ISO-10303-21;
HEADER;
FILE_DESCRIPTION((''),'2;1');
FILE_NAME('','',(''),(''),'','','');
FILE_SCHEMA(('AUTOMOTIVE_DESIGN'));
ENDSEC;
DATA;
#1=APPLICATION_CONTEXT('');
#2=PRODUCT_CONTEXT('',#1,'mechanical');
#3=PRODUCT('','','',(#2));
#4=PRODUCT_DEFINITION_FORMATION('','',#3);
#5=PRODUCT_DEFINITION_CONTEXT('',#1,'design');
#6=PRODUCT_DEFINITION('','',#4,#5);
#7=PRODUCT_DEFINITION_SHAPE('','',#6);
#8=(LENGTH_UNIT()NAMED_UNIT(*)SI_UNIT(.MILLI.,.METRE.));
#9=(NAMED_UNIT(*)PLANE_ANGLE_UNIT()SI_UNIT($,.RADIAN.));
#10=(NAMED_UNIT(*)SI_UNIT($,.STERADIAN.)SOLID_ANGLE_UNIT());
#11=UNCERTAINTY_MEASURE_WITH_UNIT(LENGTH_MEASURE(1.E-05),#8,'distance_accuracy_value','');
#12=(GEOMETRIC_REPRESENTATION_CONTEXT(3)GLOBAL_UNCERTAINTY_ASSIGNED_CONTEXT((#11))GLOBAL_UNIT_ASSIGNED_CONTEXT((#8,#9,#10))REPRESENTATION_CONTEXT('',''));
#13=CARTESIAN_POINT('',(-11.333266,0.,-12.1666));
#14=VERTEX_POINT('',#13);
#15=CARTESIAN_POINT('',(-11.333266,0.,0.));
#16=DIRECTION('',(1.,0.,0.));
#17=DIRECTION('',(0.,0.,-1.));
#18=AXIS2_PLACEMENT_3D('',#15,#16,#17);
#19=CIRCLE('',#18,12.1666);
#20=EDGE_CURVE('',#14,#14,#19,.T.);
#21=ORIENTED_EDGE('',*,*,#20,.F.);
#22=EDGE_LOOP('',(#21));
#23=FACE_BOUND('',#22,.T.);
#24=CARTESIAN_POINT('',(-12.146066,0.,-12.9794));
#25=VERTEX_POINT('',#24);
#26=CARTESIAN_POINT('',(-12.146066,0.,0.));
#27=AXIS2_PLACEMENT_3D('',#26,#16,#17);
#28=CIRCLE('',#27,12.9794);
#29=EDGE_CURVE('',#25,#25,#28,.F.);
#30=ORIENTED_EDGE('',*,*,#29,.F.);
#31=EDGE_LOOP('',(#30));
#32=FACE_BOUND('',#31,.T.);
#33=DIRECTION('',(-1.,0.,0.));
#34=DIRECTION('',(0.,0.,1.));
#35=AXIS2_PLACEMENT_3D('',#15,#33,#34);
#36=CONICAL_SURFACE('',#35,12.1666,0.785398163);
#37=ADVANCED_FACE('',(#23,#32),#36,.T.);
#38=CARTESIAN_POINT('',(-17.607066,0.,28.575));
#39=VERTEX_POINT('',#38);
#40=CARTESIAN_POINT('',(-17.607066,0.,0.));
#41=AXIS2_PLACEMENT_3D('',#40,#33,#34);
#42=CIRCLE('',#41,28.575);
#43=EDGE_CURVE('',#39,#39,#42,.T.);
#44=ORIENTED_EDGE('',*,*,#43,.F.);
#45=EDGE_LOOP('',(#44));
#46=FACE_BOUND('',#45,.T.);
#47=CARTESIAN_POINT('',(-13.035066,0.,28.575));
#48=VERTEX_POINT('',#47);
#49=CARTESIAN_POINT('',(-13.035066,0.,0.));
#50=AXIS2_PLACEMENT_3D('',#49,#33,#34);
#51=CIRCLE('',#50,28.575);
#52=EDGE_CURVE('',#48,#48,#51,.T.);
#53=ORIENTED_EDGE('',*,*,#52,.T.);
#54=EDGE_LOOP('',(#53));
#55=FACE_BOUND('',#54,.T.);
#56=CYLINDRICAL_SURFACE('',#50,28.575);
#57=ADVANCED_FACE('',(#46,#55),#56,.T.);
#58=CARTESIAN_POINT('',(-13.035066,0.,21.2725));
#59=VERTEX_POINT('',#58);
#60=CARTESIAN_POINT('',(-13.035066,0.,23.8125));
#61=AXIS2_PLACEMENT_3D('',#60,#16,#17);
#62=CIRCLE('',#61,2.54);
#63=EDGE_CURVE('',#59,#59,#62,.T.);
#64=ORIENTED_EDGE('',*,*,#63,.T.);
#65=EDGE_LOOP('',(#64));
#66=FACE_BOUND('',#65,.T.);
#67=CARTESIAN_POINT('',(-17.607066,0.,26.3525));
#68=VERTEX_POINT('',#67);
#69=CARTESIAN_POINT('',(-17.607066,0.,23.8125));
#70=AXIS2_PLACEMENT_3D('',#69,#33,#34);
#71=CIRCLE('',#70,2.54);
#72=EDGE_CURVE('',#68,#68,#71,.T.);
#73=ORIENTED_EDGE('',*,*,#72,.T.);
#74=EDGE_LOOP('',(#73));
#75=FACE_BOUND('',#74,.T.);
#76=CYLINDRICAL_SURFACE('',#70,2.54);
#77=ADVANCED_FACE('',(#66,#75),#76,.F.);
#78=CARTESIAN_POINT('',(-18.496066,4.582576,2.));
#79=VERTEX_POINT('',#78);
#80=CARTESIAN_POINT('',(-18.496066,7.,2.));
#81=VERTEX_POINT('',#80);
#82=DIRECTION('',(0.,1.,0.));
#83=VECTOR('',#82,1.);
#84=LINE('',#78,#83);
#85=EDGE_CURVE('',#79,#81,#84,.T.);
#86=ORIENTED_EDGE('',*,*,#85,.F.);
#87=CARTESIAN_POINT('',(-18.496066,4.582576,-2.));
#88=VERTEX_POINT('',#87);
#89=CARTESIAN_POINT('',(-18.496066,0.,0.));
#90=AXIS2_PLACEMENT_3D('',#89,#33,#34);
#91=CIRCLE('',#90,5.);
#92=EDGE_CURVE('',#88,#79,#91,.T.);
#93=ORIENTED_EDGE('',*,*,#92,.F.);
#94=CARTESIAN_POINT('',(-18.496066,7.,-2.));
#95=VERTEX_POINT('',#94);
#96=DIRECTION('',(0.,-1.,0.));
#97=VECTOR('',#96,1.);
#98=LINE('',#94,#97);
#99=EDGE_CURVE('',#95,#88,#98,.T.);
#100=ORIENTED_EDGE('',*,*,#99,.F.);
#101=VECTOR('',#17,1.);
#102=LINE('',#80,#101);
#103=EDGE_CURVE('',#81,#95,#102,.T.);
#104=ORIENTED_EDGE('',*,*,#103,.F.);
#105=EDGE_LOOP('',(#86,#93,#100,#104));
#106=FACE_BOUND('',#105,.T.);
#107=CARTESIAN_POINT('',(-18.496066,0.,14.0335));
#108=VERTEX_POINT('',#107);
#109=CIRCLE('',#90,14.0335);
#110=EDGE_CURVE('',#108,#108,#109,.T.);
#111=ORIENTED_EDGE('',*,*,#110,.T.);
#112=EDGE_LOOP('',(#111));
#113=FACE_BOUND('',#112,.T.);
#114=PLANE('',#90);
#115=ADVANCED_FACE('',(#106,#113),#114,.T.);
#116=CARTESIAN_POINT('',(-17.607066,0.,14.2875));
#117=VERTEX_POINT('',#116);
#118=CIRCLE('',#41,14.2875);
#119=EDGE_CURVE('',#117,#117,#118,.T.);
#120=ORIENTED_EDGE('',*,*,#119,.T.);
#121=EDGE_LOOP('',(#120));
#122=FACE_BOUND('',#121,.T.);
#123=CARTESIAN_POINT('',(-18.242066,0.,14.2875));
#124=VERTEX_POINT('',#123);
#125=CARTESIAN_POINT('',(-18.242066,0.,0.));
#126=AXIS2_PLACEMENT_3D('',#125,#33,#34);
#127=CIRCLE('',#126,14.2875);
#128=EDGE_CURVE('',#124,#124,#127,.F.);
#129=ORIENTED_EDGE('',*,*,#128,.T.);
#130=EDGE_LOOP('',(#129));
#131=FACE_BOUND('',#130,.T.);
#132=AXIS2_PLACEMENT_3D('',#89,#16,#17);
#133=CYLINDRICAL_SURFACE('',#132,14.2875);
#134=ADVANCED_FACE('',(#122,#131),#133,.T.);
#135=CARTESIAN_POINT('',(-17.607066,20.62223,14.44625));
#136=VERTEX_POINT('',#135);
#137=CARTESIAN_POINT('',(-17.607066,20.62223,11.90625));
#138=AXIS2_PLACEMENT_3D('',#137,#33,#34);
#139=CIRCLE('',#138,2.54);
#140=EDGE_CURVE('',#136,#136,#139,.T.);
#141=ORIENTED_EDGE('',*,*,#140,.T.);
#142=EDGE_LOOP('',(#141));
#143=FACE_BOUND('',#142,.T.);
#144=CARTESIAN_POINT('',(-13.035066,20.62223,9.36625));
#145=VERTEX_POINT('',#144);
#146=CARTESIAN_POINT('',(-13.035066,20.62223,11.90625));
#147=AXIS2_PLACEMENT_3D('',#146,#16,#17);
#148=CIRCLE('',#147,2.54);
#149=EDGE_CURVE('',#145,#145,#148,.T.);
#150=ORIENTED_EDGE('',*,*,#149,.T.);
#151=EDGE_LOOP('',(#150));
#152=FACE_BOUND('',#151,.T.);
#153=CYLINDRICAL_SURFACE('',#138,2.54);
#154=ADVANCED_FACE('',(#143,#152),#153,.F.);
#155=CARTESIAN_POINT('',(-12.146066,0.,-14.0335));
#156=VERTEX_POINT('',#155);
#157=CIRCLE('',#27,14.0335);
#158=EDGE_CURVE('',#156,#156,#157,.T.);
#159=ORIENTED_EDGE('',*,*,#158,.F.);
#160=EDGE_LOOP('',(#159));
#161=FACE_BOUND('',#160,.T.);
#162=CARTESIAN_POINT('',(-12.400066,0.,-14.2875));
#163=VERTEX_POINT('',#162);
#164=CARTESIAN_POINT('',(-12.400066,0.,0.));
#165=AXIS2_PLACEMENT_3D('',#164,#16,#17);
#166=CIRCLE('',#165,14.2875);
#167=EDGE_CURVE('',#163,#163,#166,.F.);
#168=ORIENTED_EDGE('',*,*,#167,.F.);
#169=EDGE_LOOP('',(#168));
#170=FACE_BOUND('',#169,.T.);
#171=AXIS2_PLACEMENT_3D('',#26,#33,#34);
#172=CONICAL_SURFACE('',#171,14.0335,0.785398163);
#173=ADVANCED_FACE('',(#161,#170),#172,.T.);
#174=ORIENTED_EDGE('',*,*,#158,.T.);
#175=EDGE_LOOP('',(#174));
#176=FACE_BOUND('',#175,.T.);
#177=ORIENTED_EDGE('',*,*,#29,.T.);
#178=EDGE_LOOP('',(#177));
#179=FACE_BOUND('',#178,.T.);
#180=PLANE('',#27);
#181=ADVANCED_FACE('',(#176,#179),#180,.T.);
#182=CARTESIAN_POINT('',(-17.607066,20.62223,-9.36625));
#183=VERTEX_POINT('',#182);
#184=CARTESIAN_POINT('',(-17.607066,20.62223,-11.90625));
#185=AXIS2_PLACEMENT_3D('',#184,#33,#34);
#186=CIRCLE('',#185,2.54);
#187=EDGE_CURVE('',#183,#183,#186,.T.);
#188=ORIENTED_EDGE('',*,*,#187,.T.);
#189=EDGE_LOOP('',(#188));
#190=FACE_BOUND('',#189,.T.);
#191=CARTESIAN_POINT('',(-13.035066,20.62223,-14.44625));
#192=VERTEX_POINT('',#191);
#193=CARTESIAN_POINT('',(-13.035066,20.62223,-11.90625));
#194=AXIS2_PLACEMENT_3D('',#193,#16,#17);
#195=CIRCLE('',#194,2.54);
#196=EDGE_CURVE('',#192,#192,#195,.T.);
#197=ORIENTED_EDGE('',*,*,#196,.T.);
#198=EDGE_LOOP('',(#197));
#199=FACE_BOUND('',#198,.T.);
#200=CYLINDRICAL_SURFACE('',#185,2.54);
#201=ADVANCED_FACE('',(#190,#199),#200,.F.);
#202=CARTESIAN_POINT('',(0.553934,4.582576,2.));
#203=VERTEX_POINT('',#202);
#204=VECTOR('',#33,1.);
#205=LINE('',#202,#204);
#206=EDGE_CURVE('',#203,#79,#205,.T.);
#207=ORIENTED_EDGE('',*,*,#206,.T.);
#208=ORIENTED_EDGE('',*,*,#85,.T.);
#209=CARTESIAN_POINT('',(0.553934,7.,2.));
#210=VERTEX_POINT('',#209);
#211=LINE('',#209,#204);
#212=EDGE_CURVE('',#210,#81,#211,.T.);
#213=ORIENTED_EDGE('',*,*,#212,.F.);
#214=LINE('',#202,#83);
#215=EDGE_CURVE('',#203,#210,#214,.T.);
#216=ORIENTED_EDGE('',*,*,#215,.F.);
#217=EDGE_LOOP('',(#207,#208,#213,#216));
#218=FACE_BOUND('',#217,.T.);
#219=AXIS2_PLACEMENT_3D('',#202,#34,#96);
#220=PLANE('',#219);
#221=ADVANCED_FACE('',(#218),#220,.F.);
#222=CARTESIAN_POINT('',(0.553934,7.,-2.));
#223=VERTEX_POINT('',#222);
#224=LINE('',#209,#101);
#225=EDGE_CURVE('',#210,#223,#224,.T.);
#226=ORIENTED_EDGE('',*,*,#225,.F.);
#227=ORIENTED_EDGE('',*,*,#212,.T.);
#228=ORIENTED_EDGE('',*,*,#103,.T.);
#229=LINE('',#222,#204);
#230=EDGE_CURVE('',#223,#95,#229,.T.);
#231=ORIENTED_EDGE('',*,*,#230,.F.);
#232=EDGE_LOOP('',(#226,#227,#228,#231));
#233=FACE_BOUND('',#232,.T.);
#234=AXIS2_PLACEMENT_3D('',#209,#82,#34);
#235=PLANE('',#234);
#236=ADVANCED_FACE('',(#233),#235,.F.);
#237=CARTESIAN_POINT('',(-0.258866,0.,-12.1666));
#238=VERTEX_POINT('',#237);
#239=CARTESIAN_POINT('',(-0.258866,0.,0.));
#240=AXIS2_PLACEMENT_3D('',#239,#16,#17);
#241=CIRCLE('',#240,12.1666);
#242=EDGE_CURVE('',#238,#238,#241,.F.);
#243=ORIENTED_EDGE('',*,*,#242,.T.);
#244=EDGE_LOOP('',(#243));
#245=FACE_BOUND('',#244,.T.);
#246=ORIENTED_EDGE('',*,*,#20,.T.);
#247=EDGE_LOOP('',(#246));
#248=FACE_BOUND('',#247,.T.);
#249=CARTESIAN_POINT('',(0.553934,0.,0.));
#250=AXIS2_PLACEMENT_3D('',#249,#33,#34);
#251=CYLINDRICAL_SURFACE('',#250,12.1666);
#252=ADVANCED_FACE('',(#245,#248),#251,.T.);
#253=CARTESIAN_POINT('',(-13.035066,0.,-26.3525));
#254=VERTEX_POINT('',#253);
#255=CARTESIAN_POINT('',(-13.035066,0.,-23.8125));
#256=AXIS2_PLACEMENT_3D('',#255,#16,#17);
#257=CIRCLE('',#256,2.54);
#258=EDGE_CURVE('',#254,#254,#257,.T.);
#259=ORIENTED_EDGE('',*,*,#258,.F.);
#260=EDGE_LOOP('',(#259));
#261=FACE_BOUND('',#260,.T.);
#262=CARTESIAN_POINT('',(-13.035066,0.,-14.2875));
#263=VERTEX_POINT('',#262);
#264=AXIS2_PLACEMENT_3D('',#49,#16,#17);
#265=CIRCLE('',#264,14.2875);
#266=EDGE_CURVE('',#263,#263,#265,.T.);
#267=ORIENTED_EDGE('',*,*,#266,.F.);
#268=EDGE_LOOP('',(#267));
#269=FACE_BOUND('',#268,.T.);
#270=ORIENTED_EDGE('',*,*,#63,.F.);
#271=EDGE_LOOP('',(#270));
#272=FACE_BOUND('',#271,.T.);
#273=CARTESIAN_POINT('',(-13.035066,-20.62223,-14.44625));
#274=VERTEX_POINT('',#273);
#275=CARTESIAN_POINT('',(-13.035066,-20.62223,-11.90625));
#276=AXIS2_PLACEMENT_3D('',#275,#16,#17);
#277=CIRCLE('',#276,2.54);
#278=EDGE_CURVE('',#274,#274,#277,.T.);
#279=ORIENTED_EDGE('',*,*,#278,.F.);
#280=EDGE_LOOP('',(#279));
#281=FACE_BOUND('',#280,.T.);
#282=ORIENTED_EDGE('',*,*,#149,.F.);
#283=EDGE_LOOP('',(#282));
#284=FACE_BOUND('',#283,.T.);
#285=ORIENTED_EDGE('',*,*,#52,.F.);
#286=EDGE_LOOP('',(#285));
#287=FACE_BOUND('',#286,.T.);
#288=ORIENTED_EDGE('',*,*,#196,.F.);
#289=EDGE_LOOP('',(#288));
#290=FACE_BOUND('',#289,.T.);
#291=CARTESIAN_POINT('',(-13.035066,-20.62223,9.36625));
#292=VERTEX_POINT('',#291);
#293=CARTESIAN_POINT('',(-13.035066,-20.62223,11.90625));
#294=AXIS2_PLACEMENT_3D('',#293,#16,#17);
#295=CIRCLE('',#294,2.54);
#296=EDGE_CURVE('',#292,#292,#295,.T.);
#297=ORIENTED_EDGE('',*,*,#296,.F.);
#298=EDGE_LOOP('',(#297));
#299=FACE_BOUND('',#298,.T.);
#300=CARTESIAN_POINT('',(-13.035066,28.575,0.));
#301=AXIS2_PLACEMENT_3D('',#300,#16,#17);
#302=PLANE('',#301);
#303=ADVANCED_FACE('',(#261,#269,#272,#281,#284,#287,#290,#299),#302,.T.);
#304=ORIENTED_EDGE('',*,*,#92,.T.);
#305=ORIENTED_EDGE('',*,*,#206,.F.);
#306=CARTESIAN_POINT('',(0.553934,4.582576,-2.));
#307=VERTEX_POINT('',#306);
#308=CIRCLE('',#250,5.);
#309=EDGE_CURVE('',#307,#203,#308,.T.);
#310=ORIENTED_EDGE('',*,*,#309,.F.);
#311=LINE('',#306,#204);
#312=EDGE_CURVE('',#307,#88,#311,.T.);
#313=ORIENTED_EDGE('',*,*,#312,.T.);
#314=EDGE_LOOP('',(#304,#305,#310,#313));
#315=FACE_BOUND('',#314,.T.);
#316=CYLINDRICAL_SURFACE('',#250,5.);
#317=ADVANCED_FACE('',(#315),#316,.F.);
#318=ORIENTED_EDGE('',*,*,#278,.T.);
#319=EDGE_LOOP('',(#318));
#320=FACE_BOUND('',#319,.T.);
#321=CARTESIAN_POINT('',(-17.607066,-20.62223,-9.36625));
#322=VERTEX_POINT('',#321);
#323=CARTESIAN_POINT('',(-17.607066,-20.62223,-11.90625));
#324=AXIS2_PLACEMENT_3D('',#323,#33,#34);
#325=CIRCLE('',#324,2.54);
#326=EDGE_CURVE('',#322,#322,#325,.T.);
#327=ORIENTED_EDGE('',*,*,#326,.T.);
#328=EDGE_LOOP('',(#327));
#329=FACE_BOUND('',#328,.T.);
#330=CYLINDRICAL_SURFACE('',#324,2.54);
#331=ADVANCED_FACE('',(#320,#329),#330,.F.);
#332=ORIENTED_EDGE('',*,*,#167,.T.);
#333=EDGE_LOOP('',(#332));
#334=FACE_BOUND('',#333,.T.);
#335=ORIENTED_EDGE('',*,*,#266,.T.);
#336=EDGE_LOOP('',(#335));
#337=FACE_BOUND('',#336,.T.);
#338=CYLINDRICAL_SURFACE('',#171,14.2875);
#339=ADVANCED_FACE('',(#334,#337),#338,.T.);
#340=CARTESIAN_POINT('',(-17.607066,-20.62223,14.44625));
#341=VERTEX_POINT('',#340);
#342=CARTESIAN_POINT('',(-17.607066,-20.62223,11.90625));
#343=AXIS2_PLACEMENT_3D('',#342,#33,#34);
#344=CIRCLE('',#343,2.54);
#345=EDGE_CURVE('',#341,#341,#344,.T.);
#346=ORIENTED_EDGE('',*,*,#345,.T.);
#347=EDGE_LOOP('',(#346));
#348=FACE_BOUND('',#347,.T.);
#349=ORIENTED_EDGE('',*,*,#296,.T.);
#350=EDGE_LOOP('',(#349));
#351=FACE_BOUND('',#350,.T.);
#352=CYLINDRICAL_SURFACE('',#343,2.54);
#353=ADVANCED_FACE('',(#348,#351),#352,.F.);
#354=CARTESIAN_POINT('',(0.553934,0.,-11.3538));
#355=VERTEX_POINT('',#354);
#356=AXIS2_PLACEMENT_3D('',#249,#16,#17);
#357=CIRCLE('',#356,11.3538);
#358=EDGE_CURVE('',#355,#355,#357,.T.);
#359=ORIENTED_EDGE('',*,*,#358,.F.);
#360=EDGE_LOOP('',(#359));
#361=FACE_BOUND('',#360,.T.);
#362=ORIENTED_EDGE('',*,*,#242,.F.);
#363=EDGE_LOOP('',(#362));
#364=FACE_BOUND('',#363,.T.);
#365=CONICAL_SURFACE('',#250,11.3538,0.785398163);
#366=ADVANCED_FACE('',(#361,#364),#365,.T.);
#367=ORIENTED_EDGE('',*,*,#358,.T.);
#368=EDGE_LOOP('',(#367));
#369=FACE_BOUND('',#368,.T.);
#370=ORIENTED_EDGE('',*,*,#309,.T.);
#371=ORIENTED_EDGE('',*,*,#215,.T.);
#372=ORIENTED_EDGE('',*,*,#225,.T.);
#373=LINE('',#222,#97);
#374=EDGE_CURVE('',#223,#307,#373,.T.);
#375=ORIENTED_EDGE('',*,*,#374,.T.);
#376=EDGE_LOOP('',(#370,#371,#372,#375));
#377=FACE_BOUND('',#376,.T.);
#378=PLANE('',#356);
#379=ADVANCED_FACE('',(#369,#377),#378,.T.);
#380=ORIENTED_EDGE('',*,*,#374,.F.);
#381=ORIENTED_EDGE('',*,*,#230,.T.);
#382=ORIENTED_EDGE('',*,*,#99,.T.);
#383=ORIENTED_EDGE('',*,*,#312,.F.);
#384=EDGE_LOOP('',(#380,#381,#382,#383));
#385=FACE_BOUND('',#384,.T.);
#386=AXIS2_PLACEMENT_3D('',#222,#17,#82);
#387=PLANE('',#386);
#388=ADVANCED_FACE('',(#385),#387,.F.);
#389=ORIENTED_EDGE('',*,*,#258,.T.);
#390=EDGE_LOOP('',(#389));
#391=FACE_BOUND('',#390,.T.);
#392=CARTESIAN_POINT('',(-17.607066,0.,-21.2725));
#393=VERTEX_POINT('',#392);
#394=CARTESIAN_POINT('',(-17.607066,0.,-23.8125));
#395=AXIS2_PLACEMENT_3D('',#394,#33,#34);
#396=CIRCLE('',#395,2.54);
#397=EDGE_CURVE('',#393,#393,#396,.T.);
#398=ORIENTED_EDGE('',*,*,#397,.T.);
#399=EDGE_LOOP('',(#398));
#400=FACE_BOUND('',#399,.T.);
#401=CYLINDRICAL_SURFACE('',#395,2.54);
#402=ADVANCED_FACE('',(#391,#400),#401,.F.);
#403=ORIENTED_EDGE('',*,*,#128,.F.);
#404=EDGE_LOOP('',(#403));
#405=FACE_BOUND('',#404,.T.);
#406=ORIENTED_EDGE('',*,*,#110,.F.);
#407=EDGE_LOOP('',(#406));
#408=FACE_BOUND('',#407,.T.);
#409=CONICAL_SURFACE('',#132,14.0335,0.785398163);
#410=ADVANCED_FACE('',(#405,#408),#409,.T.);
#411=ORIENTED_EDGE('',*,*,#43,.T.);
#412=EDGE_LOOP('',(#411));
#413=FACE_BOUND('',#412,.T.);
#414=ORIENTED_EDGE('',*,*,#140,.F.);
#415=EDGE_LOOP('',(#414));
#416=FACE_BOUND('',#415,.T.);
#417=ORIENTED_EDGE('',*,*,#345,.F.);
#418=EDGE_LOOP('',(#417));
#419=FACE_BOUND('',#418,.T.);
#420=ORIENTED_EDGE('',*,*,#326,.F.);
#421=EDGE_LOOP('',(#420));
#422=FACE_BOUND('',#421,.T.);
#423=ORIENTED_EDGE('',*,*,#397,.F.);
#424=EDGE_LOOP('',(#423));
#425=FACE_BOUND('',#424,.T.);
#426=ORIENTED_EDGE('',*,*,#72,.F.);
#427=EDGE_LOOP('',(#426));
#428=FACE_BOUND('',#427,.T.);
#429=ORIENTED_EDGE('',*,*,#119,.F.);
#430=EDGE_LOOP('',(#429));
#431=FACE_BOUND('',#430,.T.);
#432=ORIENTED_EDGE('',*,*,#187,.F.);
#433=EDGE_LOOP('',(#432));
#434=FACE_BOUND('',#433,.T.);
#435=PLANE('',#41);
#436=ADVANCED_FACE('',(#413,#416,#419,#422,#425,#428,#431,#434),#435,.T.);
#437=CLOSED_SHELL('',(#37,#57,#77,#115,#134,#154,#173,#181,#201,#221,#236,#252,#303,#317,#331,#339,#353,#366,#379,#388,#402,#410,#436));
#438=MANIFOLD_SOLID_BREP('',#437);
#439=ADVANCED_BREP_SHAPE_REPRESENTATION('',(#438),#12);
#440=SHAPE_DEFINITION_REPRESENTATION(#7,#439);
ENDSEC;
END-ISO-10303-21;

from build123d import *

# Parameters (mm, degrees)
SKETCH1_W                  = 4.572
SKETCH1_H                  = 28.575
SKETCH2_R                  = 14.2875
BOSS_EXTRUDE1_DEPTH        = 0.889
SKETCH3_R                  = 12.1666
BOSS_EXTRUDE2_DEPTH        = 12.7
SKETCH4_R                  = 14.2875
BOSS_EXTRUDE3_DEPTH        = 0.889
CUT_EXTRUDE1_DEPTH         = 20.05
SKETCH6_W                  = 19.05
SKETCH6_H                  = 5
F_10_CLEARANCE_HOLE1_D     = 5.08
F_10_CLEARANCE_HOLE1_DEPTH = 18.161
CHAMFER1_SIZE              = 0.254
CHAMFER2_SIZE              = 0.8128


with BuildPart() as part:
    # Sketch1 → Revolve1 (revolve)
    with BuildSketch(Plane(origin=(0, 0, 0), x_dir=(-1, 0, 0), z_dir=(0, 0, -1))):
        with Locations((15.321066246, 14.2875)):
            Rectangle(SKETCH1_W, SKETCH1_H)
    revolve(axis=Axis((-13.035066246, 0, 0), (-1, 0, 0)))

    # Sketch2 → Boss-Extrude1 (add)
    with BuildSketch(Plane(origin=(-13.035066246, 0, 0), x_dir=(0, 0, -1), z_dir=(1, 0, 0))):
        Circle(SKETCH2_R)
    extrude(amount=BOSS_EXTRUDE1_DEPTH)

    # Sketch3 → Boss-Extrude2 (add)
    with BuildSketch(Plane(origin=(-12.146066246, 0, 0), x_dir=(0, 0, -1), z_dir=(1, 0, 0))):
        Circle(SKETCH3_R)
    extrude(amount=BOSS_EXTRUDE2_DEPTH)

    # Sketch4 → Boss-Extrude3 (add)
    with BuildSketch(Plane.ZY.offset(17.607066246)):
        Circle(SKETCH4_R)
    extrude(amount=BOSS_EXTRUDE3_DEPTH)

    # Sketch5 → Cut-Extrude1 (cut, through all)
    with BuildSketch(Plane.ZY.offset(18.496066246)):
        with BuildLine():
            Line((2, 4.582575695), (2, 7))
            Line((2, 7), (-2, 7))
            Line((-2, 7), (-2, 4.582575695))
            ThreePointArc((-2, 4.582575695), (0, 5), (2, 4.582575695))
        make_face()
    extrude(amount=-CUT_EXTRUDE1_DEPTH, mode=Mode.SUBTRACT)

    # Sketch6 → Cut-Revolve1 (revolve, cut)
    with BuildSketch(Plane(origin=(0, 0, 0), x_dir=(-1, 0, 0), z_dir=(0, 0, -1))):
        with Locations((8.971066246, 2.5)):
            Rectangle(SKETCH6_W, SKETCH6_H)
    revolve(axis=Axis((0.553933754, 0, 0), (-1, 0, 0)), mode=Mode.SUBTRACT)

    # #10 Clearance Hole1
    with Locations(Plane.ZY.offset(17.607066246)):
        with Locations((11.90625, 20.622229928), (-11.90625, 20.622229928), (-23.8125, 0), (-11.90625, -20.622229928), (11.90625, -20.622229928), (23.8125, 0)):
            Hole(F_10_CLEARANCE_HOLE1_D / 2, depth=F_10_CLEARANCE_HOLE1_DEPTH)

    # Chamfer1
    chamfer1_edges = [part.edges().sort_by_distance(p)[0] for p in [
        (-18.496066246, 0, -14.2875),
        (-12.146066246, 0, 14.2875),
    ]]
    chamfer(chamfer1_edges, length=CHAMFER1_SIZE)

    # Chamfer2
    chamfer2_edges = [part.edges().sort_by_distance(p)[0] for p in [
        (-12.146066246, 0, 12.1666),
        (0.553933754, 0, 12.1666),
    ]]
    chamfer(chamfer2_edges, length=CHAMFER2_SIZE)


solid = part.part
